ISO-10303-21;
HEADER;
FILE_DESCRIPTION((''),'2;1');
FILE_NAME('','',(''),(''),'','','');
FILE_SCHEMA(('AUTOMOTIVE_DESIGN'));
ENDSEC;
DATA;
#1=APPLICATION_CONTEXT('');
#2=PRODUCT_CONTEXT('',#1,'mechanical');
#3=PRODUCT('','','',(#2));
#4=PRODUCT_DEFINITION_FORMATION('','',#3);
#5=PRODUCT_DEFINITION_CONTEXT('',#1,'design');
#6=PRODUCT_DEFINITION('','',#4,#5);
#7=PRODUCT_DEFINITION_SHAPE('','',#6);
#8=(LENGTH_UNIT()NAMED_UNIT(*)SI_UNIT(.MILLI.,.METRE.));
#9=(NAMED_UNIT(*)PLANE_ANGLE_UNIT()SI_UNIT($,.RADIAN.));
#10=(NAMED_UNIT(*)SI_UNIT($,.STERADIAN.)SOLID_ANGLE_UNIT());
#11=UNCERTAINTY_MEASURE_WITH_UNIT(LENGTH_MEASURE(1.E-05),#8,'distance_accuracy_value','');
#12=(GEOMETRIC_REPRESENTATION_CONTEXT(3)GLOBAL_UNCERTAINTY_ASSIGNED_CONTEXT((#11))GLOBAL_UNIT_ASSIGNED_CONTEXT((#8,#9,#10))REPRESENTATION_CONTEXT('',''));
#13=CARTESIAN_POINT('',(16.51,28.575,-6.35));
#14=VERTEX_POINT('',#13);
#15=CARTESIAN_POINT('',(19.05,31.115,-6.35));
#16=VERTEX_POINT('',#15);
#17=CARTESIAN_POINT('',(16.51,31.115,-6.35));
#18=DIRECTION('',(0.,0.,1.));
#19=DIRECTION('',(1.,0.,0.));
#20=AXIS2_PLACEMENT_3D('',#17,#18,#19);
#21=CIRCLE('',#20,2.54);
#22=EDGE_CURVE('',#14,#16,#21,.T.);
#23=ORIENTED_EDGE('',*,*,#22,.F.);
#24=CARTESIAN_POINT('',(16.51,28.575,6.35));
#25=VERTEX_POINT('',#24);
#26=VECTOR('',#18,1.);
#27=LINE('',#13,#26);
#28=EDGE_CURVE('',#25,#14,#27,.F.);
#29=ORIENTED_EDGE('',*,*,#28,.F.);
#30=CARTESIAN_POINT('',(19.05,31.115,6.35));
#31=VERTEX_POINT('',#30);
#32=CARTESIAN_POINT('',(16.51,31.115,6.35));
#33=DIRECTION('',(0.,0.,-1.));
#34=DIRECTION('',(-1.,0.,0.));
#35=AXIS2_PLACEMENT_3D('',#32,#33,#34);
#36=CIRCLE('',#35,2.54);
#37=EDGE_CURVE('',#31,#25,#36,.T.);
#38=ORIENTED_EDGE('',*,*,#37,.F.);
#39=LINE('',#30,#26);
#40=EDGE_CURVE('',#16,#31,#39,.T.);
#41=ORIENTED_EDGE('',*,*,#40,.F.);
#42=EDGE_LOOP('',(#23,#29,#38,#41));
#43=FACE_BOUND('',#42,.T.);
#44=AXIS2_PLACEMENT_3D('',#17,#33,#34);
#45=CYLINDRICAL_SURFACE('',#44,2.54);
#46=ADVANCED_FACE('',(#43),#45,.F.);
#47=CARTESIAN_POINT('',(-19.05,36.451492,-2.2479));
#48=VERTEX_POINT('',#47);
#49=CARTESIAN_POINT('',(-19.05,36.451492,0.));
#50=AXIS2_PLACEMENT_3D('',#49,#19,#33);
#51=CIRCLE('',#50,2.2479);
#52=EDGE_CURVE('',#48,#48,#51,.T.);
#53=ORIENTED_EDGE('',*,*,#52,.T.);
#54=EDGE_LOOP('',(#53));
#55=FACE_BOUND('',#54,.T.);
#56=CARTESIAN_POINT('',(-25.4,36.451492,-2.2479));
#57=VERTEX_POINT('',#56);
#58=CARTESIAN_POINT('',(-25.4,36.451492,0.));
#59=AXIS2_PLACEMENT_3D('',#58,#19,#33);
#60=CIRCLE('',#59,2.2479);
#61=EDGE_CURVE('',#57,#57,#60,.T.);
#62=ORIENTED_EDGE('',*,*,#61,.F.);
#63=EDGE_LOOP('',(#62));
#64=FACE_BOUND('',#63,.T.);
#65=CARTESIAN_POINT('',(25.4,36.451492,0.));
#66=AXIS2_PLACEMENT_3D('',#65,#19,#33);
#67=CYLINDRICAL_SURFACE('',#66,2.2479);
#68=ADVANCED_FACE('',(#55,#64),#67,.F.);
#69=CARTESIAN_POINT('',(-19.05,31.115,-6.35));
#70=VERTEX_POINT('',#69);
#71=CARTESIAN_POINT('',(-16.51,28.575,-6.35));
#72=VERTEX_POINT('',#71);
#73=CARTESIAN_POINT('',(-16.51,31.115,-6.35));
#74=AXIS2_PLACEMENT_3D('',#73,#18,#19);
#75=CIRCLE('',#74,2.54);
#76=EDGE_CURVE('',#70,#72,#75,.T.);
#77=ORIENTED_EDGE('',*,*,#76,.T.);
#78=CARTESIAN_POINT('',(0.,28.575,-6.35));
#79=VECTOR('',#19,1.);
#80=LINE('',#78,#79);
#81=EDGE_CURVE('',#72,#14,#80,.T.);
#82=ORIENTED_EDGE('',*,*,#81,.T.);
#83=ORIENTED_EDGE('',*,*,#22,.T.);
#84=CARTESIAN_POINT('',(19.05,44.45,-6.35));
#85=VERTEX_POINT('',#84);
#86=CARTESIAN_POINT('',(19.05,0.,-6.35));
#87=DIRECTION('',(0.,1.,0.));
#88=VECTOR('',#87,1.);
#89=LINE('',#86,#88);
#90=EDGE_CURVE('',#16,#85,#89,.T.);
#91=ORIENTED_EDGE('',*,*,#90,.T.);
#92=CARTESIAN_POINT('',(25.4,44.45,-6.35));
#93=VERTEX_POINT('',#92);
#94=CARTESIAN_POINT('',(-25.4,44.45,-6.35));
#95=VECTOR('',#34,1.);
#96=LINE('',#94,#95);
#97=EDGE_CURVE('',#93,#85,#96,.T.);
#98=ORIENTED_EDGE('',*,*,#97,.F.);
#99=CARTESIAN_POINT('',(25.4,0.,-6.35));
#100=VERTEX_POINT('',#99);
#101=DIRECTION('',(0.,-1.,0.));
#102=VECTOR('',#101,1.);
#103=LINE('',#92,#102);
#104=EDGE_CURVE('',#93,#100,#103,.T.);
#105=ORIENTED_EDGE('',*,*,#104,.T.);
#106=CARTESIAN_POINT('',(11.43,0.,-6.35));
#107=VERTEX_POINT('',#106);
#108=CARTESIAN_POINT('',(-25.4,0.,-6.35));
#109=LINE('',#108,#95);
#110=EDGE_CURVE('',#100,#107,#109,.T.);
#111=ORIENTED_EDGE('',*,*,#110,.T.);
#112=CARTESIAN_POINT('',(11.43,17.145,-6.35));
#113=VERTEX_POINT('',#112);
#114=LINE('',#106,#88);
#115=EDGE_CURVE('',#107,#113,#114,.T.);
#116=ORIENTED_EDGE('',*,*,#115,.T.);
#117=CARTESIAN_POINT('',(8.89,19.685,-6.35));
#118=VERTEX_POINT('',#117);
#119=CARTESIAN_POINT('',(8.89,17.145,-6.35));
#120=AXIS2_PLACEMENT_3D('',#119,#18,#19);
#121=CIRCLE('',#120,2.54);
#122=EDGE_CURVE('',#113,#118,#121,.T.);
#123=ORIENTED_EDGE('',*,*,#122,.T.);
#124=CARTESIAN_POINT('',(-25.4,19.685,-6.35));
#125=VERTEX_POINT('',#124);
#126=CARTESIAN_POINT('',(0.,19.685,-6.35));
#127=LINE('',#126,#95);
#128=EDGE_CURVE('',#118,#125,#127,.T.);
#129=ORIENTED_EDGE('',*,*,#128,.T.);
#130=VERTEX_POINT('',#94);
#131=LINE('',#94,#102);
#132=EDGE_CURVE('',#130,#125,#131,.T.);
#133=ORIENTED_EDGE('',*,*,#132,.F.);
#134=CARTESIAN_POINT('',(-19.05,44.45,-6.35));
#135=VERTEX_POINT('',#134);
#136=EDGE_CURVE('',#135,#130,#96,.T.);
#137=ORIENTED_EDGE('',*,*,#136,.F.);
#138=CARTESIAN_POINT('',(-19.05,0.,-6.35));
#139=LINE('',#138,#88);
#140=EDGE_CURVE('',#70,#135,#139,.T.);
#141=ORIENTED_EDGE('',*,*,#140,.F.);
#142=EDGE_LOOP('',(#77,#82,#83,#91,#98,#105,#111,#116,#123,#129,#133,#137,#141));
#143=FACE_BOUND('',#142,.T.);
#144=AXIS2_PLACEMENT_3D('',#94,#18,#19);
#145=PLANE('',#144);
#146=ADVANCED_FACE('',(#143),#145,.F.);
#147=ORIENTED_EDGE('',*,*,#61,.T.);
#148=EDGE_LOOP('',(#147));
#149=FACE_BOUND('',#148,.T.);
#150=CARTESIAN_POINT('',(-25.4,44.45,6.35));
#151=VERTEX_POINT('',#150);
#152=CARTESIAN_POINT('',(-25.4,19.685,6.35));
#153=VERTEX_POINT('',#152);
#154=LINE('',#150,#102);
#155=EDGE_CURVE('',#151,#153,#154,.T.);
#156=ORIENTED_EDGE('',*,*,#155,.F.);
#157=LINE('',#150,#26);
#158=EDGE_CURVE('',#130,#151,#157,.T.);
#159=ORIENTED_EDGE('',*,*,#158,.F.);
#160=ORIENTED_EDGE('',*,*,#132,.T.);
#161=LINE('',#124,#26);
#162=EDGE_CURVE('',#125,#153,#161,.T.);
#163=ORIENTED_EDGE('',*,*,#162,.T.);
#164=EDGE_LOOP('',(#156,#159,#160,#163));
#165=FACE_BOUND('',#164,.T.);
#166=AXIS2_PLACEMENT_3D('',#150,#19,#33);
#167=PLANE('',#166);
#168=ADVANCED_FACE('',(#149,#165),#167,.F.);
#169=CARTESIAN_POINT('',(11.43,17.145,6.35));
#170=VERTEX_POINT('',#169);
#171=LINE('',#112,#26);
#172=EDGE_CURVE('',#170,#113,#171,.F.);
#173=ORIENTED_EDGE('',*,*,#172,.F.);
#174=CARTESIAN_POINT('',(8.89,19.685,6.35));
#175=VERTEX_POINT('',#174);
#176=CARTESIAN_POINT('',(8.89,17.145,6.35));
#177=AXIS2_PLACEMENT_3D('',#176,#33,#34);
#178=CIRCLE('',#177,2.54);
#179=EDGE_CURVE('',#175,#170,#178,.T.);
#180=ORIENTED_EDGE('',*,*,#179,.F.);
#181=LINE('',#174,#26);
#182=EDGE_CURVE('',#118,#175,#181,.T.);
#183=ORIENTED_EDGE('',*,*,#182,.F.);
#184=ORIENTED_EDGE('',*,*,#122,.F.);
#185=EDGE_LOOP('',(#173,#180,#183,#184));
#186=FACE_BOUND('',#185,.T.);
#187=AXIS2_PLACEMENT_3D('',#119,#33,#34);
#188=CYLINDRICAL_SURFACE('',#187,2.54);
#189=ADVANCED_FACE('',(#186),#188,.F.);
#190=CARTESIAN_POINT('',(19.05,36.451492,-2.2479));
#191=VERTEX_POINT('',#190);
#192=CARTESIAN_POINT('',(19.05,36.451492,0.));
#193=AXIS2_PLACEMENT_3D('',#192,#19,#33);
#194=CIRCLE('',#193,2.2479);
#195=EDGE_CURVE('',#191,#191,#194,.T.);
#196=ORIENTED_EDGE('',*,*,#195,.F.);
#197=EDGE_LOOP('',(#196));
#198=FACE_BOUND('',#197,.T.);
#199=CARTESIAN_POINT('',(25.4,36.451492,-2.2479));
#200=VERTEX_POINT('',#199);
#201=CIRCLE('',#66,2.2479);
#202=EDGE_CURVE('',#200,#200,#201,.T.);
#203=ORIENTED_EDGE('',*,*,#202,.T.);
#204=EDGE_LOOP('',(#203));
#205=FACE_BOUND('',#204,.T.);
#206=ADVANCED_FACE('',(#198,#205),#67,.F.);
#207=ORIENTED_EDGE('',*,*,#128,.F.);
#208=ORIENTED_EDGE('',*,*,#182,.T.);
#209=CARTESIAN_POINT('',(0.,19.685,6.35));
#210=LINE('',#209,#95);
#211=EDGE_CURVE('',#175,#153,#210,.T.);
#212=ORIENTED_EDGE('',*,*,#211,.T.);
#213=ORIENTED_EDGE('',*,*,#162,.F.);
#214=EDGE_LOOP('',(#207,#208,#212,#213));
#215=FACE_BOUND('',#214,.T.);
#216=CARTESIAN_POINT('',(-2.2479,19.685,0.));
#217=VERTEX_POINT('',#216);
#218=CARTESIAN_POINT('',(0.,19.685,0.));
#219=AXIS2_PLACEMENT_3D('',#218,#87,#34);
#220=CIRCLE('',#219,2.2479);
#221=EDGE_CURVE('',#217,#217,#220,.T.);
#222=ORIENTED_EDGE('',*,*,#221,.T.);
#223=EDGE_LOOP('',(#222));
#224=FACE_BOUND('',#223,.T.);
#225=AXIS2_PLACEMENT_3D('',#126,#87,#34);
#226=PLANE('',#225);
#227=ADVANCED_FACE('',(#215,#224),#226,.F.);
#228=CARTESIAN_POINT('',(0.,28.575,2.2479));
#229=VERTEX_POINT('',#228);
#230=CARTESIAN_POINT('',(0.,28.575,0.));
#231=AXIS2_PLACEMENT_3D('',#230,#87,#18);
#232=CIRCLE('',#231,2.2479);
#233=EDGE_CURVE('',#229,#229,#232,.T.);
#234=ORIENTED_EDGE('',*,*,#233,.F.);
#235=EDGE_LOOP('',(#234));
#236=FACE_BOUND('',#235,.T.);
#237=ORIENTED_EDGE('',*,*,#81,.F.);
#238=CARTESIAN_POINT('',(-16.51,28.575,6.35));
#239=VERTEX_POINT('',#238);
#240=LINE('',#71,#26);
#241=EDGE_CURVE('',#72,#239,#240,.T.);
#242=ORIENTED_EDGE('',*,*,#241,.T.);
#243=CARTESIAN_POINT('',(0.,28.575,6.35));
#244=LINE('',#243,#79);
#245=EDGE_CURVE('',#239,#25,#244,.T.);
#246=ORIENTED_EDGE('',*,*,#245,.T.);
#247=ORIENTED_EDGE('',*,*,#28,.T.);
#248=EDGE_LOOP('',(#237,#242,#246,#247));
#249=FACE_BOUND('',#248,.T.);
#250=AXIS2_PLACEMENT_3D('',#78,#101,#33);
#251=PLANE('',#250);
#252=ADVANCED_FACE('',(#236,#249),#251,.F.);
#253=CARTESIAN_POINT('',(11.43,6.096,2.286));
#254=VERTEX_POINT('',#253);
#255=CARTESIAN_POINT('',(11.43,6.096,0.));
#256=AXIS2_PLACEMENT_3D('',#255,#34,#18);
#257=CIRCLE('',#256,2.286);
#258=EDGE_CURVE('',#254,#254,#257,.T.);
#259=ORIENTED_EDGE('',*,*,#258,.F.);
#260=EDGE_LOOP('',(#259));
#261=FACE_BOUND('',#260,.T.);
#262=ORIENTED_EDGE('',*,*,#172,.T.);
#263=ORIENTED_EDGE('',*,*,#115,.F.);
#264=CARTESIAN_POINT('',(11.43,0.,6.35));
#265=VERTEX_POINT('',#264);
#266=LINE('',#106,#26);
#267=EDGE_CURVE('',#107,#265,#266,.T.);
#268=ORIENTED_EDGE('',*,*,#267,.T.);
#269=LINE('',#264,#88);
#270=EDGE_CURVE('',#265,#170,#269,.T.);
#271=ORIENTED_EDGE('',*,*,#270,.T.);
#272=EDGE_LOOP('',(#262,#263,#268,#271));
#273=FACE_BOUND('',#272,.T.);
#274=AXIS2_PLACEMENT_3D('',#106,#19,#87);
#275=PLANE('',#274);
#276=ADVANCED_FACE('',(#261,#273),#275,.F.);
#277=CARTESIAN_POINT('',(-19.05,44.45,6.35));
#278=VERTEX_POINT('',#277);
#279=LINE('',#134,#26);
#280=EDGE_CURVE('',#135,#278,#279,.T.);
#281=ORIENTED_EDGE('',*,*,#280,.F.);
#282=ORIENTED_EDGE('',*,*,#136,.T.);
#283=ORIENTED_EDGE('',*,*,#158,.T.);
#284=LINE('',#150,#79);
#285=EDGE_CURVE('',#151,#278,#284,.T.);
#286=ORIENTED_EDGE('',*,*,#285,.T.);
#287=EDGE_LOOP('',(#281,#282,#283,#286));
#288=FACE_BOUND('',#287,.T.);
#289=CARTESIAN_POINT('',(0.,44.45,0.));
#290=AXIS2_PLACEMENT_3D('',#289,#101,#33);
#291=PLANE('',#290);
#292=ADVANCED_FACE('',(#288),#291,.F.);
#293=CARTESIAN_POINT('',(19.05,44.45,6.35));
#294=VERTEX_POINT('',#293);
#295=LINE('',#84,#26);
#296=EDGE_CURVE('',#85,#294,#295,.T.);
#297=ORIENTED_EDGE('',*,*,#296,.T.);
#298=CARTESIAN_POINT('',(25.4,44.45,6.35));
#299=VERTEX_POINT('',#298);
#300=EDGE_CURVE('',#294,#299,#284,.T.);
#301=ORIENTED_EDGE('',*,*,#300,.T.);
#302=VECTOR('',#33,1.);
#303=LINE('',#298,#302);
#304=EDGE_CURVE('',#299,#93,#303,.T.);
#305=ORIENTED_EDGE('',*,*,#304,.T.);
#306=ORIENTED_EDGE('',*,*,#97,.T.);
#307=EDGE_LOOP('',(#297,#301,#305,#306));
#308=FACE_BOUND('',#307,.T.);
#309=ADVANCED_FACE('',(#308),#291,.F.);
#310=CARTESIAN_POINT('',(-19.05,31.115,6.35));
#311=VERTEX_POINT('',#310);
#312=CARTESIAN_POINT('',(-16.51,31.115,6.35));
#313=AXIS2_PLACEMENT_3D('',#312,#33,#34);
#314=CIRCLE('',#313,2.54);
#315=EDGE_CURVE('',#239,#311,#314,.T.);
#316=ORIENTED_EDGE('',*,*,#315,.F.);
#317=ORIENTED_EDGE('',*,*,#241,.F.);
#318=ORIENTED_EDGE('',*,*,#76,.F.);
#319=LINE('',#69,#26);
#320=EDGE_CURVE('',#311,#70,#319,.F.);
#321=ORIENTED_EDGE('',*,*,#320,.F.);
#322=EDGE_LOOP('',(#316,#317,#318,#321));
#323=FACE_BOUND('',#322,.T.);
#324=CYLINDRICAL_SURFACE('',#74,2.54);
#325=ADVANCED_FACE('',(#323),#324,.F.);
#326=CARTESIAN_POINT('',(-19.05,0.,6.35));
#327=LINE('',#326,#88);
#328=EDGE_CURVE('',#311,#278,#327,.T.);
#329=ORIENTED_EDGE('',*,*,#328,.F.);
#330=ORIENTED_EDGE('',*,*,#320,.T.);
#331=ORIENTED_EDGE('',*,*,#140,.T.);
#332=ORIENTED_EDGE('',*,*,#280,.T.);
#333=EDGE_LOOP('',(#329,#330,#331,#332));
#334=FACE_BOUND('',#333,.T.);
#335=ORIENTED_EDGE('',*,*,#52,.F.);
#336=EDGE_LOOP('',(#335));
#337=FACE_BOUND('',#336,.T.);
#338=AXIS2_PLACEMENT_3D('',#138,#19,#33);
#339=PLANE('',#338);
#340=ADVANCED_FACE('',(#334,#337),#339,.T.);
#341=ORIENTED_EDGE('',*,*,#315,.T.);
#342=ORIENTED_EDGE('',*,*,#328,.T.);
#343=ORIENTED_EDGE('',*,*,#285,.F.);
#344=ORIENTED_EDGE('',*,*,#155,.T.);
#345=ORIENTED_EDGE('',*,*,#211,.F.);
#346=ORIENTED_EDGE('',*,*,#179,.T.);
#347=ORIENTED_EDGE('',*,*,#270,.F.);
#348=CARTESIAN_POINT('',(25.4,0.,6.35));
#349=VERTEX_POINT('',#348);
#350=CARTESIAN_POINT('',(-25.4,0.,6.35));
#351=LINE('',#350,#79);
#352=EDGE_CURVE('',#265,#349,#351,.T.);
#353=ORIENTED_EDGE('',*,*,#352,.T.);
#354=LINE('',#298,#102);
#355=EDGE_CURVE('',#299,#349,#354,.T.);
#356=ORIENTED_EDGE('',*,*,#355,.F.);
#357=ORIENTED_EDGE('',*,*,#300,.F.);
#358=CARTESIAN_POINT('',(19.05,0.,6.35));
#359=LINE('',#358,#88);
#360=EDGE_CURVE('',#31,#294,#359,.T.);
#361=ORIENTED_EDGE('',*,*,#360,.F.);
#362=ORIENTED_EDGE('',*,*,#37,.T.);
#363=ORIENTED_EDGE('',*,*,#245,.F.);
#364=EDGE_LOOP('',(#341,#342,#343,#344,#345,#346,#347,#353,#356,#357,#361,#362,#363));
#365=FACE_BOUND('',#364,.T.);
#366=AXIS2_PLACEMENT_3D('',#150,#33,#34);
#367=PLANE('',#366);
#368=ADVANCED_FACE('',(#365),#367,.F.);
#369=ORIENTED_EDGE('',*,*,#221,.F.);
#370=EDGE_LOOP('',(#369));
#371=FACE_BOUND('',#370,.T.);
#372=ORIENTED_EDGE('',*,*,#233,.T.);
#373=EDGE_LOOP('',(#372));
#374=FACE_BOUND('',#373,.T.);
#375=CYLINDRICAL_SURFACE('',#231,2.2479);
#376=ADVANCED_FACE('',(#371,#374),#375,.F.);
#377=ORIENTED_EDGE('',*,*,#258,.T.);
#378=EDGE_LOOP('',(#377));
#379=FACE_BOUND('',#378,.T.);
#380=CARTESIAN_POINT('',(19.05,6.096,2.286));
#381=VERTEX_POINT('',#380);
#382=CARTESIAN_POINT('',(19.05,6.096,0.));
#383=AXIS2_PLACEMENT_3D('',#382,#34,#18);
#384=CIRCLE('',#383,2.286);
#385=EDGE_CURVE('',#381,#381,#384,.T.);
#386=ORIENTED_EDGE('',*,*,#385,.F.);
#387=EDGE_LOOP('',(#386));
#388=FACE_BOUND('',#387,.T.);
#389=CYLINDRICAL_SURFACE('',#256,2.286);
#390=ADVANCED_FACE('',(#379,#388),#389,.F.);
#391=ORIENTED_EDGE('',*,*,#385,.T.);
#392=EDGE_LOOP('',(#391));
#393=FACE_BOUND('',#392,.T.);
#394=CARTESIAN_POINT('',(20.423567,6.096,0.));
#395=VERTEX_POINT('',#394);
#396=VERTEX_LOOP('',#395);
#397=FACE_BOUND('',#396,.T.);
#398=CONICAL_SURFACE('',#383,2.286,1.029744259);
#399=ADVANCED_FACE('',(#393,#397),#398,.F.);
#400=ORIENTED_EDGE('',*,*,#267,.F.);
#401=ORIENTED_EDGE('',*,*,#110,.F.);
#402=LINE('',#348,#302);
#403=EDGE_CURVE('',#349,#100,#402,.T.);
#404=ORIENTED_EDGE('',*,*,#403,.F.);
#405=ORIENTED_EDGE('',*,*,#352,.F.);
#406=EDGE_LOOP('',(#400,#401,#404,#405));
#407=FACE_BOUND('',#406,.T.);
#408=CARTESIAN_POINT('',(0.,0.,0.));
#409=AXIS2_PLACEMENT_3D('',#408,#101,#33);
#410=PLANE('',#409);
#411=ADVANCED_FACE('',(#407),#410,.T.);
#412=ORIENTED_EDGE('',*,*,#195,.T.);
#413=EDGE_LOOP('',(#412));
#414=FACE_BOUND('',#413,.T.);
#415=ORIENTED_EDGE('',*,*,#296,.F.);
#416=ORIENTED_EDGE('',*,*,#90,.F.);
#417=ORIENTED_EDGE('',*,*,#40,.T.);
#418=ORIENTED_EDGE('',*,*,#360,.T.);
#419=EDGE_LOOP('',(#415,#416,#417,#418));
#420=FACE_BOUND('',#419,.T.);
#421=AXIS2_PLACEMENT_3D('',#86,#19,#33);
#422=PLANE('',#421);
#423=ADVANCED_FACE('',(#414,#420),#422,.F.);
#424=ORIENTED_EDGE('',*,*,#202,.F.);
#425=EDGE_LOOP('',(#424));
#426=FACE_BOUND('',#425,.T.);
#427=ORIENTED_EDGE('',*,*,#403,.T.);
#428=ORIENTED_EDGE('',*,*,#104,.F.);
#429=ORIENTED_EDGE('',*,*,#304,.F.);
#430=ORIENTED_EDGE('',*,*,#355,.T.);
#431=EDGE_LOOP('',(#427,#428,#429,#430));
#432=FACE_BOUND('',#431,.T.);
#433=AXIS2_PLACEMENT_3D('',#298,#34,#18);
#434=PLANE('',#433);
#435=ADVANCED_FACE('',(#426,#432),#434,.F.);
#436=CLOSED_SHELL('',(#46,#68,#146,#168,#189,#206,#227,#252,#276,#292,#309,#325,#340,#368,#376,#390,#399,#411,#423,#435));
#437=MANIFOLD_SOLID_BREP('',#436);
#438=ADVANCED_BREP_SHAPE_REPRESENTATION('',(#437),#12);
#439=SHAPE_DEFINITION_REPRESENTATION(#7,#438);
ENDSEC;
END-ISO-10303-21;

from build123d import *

# Parameters (mm, degrees)
SKETCH1_W                    = 50.8
SKETCH1_H                    = 12.7
BOSS_EXTRUDE1_DEPTH          = 44.45
SKETCH8_W                    = 13.97
SKETCH8_H                    = 19.685
SKETCH8_W_2                  = 22.86
SKETCH8_W_3                  = 38.1
SKETCH8_H_2                  = 15.875
CUT_EXTRUDE1_DEPTH           = 53.74706153
F_8_CLEARANCE_HOLE3_D        = 4.4958
F_8_CLEARANCE_HOLE2_D        = 4.4958
F_1_8_0_18_DOWEL_HOLE1_D     = 4.572
F_1_8_0_18_DOWEL_HOLE1_DEPTH = 7.62
F_1_8_0_18_DOWEL_HOLE1_TIP   = 1.373567375
FILLET1_R                    = 2.54


with BuildPart() as part:
    # Sketch1 → Boss-Extrude1 (new body)
    with BuildSketch(Plane(origin=(0, 0, 0), x_dir=(1, 0, 0), z_dir=(0, 1, 0))):
        Rectangle(SKETCH1_W, SKETCH1_H)
    extrude(amount=BOSS_EXTRUDE1_DEPTH)

    # Sketch8 → Cut-Extrude1 (cut, through all)
    with BuildSketch(Plane.XY.offset(6.35)):
        with Locations((-18.415, 9.8425)):
            Rectangle(SKETCH8_W, SKETCH8_H)
        with Locations((0, 9.8425)):
            Rectangle(SKETCH8_W_2, SKETCH8_H)
        with Locations((0, 36.5125)):
            Rectangle(SKETCH8_W_3, SKETCH8_H_2)
    extrude(amount=-CUT_EXTRUDE1_DEPTH, mode=Mode.SUBTRACT)

    # #8 Clearance Hole3 (through all)
    with Locations(Plane(origin=(25.4, 0, 0), x_dir=(0, 0, -1), z_dir=(1, 0, 0))):
        with Locations((0, 36.451492413)):
            Hole(F_8_CLEARANCE_HOLE3_D / 2)

    # #8 Clearance Hole2 (through all)
    with Locations(Plane(origin=(0, 28.575, 0), x_dir=(1, 0, 0), z_dir=(0, 1, 0))):
        with Locations((0, 0)):
            Hole(F_8_CLEARANCE_HOLE2_D / 2)

    # 1/8 (0.18) Dowel Hole1
    with Locations(Plane.ZY.offset(-11.43)):
        with Locations((0, 6.096)):
            Hole(F_1_8_0_18_DOWEL_HOLE1_D / 2, depth=F_1_8_0_18_DOWEL_HOLE1_DEPTH)
            with Locations((0, 0, -(F_1_8_0_18_DOWEL_HOLE1_DEPTH + F_1_8_0_18_DOWEL_HOLE1_TIP / 2))):  # 118° drill point
                Cone(0, F_1_8_0_18_DOWEL_HOLE1_D / 2, F_1_8_0_18_DOWEL_HOLE1_TIP, mode=Mode.SUBTRACT)

    # Fillet1
    fillet1_edges = [part.edges().sort_by_distance(p)[0] for p in [
        (11.43, 19.685, 0),
        (19.05, 28.575, 0),
        (-19.05, 28.575, 0),
    ]]
    fillet(fillet1_edges, radius=FILLET1_R)


solid = part.part
